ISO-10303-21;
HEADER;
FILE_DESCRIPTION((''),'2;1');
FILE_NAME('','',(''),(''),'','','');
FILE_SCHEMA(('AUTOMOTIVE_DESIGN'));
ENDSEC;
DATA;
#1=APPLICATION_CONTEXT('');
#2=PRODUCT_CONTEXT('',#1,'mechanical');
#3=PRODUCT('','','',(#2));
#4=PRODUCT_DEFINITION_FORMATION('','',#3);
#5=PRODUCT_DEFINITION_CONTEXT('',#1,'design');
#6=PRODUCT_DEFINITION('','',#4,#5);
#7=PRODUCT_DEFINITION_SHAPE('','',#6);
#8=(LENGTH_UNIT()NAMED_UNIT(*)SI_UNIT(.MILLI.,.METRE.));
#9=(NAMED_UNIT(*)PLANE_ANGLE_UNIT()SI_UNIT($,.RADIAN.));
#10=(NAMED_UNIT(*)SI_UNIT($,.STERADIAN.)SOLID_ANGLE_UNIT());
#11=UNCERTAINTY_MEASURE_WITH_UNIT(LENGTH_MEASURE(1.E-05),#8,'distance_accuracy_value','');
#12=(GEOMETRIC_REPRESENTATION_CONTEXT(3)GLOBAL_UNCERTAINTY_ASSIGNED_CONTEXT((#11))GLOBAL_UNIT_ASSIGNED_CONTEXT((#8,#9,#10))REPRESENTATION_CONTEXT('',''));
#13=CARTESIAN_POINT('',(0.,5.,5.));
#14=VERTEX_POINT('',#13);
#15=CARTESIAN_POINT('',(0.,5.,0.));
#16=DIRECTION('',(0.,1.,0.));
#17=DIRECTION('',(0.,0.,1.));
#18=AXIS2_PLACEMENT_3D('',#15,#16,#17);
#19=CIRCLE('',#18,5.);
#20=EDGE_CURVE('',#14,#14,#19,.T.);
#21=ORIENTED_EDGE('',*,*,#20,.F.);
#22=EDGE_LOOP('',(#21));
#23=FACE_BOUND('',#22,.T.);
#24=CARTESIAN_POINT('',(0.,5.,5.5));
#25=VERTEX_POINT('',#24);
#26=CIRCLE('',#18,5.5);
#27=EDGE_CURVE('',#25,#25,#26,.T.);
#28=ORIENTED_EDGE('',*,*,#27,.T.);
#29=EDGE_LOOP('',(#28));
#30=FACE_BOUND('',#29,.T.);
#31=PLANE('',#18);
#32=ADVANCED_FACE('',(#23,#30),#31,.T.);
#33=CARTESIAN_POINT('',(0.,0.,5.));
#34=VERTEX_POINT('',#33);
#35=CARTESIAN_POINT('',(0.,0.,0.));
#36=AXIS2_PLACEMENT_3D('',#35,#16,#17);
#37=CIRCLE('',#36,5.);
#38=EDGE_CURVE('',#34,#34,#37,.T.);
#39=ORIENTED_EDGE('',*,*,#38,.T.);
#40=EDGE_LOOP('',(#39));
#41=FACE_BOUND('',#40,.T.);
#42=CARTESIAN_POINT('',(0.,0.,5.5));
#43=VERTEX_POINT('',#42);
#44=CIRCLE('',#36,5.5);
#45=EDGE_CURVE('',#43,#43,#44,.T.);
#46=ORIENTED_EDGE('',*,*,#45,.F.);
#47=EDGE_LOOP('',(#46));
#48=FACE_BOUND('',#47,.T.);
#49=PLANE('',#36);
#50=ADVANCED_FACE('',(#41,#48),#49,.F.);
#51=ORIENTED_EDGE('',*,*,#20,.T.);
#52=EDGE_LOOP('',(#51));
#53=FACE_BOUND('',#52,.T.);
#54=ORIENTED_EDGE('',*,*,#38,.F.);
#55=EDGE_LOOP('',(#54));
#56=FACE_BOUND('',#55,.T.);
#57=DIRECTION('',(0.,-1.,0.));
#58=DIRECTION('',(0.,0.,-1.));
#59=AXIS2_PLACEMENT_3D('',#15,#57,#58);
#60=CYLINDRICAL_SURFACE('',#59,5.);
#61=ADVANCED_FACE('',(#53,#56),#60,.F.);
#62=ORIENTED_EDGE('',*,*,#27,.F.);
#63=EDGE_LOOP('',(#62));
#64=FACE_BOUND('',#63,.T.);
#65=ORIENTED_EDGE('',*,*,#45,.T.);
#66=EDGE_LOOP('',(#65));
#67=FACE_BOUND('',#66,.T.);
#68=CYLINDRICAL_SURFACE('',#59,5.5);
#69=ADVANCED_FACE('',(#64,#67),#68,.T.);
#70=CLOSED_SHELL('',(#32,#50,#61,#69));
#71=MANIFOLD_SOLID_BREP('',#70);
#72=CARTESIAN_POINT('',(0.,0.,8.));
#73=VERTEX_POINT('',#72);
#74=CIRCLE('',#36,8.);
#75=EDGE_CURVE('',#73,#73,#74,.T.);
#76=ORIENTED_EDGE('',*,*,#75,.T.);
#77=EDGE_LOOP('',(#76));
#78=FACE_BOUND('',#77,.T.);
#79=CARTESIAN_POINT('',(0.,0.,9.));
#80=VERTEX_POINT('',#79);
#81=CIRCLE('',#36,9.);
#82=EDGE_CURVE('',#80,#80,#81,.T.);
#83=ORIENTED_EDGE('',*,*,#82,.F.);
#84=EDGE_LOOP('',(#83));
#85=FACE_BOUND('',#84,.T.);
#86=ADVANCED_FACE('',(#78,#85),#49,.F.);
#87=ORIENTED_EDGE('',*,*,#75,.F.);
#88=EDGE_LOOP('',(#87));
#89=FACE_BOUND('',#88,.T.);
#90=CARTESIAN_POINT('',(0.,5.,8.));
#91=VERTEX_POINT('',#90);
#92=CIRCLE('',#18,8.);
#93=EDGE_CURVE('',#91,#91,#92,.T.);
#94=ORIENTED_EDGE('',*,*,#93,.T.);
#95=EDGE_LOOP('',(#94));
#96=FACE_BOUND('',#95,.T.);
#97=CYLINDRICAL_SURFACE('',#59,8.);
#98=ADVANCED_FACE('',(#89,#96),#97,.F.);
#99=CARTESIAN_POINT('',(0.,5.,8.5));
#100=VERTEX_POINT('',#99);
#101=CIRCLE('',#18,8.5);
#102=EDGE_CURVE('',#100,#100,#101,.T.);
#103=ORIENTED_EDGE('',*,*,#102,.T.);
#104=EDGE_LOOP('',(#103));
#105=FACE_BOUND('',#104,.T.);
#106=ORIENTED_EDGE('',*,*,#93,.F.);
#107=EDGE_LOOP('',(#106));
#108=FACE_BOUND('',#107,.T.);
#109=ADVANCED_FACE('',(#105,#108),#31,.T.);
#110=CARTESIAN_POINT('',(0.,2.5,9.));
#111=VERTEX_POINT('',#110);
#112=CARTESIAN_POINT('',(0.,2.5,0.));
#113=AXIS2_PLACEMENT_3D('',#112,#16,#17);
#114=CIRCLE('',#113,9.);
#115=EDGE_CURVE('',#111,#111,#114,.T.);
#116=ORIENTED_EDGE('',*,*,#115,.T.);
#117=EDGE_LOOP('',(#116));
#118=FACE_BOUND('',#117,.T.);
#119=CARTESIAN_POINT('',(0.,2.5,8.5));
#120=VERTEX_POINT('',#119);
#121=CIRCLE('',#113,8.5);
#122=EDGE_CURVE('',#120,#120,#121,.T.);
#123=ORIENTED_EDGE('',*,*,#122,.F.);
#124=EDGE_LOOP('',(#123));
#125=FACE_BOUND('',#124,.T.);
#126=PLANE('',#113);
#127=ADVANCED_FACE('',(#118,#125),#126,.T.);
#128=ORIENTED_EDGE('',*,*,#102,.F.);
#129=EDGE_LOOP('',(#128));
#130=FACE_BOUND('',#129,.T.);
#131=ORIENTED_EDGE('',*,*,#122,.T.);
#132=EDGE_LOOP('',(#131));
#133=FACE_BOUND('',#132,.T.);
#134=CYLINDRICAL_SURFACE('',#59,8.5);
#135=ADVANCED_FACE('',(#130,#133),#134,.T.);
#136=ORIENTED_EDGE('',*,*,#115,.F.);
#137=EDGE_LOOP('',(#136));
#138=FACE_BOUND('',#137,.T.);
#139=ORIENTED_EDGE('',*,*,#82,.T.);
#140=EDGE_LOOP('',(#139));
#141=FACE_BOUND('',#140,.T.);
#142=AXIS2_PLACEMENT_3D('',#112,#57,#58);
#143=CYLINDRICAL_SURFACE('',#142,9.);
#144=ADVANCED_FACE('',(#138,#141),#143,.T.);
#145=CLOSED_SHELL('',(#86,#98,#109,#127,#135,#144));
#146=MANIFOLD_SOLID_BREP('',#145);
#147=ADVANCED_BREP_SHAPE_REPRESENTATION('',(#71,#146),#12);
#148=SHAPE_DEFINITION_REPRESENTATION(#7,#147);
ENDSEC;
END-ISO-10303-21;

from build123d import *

# Parameters (mm, degrees)
SKETCH1_R             = 5.5
SKETCH1_R_2           = 5
BOSS_EXTRUDE1_DEPTH   = 5
SKETCH1_R_3           = 8.5
SKETCH1_R_4           = 8
BOSS_EXTRUDE1_2_DEPTH = 5
SKETCH2_R             = 9
SKETCH2_R_2           = 8.5
BOSS_EXTRUDE3_DEPTH   = 2.5


with BuildPart() as part:
    # Sketch1 → Boss-Extrude1 (new body)
    with BuildSketch(Plane(origin=(0, 0, 0), x_dir=(1, 0, 0), z_dir=(0, 1, 0))):
        Circle(SKETCH1_R)
        Circle(SKETCH1_R_2, mode=Mode.SUBTRACT)
    extrude(amount=BOSS_EXTRUDE1_DEPTH)


with BuildPart() as body_2:
    # Sketch1 → Boss-Extrude1 2 (new body)
    with BuildSketch(Plane(origin=(0, 0, 0), x_dir=(1, 0, 0), z_dir=(0, 1, 0))):
        Circle(SKETCH1_R_3)
        Circle(SKETCH1_R_4, mode=Mode.SUBTRACT)
    extrude(amount=BOSS_EXTRUDE1_2_DEPTH)

    # Sketch2 → Boss-Extrude3 (add)
    with BuildSketch(Plane(origin=(0, 0, 0), x_dir=(1, 0, 0), z_dir=(0, 1, 0))):
        Circle(SKETCH2_R)
        Circle(SKETCH2_R_2, mode=Mode.SUBTRACT)
    extrude(amount=BOSS_EXTRUDE3_DEPTH)


solid = Compound([part.part, body_2.part])
